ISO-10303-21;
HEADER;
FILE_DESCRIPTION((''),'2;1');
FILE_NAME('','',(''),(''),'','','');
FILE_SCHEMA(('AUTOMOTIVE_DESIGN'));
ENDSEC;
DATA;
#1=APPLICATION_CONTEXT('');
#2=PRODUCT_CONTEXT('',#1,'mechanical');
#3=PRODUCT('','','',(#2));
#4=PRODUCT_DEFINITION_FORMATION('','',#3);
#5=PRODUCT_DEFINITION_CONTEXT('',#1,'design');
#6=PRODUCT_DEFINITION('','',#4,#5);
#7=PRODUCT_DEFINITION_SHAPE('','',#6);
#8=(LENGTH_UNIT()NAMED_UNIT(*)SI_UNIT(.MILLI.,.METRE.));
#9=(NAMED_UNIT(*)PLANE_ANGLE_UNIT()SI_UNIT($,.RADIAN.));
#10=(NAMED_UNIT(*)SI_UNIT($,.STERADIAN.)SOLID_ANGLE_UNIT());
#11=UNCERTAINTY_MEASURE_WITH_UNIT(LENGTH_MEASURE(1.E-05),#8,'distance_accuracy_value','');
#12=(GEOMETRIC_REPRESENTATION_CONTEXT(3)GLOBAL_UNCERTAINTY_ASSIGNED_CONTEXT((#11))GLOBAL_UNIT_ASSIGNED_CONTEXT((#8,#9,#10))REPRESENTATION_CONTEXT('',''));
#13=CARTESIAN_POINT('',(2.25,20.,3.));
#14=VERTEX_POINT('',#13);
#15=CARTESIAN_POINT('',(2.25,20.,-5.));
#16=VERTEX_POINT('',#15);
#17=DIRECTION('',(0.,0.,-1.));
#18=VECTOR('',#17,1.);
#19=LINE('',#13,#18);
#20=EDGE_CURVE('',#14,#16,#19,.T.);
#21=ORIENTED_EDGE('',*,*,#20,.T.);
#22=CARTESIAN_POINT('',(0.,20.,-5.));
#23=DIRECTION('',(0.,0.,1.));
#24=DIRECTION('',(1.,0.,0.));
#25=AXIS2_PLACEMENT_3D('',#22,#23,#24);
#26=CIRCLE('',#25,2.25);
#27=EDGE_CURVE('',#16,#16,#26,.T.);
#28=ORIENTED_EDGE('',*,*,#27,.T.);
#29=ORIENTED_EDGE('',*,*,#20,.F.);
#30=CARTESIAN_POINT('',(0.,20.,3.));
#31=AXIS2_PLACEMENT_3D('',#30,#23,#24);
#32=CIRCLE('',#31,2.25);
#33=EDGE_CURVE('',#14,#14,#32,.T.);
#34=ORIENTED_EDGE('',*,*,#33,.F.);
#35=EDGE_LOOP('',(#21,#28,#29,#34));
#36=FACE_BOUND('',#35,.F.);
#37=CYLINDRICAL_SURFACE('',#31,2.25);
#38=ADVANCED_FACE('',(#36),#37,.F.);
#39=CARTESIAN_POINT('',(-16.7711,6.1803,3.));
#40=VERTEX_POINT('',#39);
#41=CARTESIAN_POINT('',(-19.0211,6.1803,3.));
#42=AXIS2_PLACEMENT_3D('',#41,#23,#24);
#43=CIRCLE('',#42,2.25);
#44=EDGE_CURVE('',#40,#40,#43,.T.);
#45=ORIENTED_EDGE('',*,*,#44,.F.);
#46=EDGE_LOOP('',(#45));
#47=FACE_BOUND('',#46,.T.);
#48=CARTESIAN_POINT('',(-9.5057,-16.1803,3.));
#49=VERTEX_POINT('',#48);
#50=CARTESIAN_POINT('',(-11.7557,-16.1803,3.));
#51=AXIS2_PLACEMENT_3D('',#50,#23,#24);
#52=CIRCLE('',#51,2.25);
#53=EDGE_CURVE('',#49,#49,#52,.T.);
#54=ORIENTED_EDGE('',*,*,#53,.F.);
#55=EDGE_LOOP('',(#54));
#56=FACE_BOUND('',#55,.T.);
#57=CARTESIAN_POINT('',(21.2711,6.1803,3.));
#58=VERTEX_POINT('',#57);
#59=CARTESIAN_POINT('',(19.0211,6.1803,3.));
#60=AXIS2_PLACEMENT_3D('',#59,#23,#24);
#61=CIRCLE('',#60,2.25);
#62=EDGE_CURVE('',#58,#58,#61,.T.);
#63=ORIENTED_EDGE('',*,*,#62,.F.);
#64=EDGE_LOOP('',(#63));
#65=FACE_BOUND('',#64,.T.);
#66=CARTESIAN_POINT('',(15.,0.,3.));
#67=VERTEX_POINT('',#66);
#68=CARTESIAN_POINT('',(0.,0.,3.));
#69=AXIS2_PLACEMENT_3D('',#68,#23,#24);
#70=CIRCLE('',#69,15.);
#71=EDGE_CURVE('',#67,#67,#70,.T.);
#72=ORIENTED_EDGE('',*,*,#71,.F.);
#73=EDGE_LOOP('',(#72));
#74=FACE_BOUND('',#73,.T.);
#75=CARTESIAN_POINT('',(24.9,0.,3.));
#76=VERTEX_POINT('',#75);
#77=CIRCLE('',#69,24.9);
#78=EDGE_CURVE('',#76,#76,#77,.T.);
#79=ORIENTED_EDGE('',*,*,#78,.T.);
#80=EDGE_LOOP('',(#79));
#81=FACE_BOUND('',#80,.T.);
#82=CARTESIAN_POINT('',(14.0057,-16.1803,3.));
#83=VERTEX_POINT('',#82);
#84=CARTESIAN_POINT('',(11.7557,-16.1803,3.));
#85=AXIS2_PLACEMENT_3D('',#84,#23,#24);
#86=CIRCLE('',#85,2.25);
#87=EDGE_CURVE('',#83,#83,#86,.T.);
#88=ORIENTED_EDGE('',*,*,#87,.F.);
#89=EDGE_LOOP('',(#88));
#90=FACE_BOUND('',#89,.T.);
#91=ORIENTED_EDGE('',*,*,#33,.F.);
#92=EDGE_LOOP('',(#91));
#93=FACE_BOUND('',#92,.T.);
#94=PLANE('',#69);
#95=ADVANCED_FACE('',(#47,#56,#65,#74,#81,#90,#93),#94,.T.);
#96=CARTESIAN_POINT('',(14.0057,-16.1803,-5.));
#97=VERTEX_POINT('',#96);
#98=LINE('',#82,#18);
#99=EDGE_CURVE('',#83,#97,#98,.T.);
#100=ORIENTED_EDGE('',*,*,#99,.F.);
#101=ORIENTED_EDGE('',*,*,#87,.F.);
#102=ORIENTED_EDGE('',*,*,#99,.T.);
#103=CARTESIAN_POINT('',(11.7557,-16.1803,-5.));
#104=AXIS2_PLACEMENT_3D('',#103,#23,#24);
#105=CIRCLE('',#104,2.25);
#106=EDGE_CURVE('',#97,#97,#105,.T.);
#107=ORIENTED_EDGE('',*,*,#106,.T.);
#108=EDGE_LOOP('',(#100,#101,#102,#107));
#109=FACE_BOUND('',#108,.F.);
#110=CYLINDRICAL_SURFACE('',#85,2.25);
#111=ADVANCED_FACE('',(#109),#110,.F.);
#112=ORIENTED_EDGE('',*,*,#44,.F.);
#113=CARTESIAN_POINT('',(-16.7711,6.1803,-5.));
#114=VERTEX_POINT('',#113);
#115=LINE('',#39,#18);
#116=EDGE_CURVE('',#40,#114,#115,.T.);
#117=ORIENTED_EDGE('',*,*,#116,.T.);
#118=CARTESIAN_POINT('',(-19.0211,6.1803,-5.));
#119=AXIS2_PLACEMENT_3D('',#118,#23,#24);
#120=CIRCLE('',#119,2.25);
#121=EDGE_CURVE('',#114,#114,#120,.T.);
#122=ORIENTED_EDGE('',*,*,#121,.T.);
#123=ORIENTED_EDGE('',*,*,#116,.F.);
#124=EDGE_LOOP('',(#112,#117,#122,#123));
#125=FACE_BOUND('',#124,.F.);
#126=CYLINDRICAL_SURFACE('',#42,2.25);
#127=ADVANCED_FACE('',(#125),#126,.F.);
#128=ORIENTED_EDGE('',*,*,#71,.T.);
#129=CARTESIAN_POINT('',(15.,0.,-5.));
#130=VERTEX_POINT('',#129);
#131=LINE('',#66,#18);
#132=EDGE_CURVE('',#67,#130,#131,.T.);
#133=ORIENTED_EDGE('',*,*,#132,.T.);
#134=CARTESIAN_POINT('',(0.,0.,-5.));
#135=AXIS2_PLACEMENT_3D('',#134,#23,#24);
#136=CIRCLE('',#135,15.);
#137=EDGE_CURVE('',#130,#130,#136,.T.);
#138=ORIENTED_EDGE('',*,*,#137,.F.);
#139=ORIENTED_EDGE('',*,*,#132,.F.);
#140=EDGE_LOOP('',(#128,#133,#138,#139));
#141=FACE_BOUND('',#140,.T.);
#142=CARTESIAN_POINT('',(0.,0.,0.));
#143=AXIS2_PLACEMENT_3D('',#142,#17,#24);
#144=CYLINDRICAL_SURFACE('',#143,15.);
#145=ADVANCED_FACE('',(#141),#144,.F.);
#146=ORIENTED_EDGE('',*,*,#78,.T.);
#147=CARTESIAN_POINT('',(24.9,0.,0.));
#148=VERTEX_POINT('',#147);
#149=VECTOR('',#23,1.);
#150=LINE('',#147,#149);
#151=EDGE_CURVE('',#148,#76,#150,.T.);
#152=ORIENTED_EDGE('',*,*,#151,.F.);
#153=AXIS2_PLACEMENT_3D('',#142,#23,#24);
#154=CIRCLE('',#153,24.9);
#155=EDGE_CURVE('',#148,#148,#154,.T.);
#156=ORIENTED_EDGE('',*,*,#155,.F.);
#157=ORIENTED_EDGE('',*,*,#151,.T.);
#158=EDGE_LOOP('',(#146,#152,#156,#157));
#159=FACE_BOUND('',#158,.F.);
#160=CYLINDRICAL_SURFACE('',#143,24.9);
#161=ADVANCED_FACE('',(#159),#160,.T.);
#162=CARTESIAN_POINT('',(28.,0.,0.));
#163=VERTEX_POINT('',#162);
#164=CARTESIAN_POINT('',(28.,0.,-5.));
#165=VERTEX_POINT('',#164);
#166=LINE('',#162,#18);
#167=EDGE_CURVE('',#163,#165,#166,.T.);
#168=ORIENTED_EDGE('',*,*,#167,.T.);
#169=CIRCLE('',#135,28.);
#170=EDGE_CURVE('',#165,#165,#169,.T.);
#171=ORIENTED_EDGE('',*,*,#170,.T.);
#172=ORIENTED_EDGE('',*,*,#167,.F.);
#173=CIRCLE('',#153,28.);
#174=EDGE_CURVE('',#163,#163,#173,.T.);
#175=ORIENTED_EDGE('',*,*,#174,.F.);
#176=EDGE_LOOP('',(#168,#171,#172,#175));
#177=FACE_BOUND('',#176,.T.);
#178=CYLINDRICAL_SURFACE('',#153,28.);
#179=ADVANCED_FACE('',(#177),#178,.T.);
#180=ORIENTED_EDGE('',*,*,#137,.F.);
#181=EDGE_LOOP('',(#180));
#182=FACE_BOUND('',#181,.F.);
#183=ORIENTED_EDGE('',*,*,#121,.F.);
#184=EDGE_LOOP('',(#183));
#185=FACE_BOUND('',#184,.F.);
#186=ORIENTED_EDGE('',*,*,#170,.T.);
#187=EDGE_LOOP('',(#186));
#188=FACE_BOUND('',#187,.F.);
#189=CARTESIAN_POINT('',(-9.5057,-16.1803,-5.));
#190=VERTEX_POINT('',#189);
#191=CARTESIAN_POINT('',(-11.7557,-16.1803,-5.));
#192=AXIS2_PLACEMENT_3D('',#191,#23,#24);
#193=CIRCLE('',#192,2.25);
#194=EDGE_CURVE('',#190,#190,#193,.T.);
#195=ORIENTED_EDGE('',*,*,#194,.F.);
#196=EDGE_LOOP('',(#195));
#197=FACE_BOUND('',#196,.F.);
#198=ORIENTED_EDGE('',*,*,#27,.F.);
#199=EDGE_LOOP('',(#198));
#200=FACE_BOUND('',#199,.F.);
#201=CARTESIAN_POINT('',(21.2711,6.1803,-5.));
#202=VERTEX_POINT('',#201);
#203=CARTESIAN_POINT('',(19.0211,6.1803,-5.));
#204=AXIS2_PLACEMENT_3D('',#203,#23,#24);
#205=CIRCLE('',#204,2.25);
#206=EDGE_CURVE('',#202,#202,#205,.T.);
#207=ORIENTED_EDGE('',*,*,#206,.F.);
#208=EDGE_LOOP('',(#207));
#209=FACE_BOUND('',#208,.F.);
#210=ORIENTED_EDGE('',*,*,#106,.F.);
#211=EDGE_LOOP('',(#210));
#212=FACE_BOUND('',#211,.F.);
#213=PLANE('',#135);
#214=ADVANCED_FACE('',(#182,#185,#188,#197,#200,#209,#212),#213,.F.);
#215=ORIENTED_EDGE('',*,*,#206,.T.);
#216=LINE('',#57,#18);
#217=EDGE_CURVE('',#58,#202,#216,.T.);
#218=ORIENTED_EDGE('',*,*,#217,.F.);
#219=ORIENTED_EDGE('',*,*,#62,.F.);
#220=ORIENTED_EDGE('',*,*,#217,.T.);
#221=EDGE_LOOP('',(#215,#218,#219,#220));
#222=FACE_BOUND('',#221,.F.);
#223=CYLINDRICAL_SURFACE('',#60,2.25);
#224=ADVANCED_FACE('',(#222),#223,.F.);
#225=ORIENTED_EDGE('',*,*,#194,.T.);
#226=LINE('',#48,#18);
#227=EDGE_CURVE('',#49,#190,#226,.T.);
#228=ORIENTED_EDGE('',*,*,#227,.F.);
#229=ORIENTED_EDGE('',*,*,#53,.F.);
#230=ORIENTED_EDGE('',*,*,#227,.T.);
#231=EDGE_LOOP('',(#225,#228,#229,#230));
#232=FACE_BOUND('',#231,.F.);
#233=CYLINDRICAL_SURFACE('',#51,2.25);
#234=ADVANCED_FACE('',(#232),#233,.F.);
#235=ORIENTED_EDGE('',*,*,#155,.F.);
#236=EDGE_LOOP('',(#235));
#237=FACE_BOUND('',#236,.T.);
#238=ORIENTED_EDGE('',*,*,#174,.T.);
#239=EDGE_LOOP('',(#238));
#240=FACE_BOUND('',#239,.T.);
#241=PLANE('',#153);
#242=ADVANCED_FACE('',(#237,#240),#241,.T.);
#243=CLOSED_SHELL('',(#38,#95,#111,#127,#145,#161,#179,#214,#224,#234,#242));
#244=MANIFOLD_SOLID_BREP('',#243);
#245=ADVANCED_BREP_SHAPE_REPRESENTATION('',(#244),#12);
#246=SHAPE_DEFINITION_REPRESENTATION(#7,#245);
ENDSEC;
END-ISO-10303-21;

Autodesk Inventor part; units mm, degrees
ref_plane "YZ Plane" through (0, 0, 0) normal (1, 0, 0) x (0, 1, 0)
ref_plane "XZ Plane" through (0, 0, 0) normal (0, 1, 0) x (-1, 0, 0)
ref_plane "XY Plane" through (0, 0, 0) normal (0, 0, 1) x (1, 0, 0)
sketch "스케치1" plane through (0, 0, 0) normal (0, 0, 1) x (1, 0, 0)
  circle A0 centre (0, 0) radius 24.9
  circle A1 centre (0, 0) radius 28
  circle A2 centre (0, 0) radius 15
  dimension "d0" = 49.8
  dimension "d1" = 56
  dimension "d2" = 30
extrude "돌출1" add sketch "스케치1" along normal blind 3 contours A0
extrude "돌출2" add sketch "스케치1" against normal blind 5 contours A0 | A1
sketch "스케치3" plane through (0, 0, 3) normal (0, 0, 1) x (1, 0, 0)
  circle A0 centre (0, 0) radius 20 construction
  circle A1 centre (0, 20) radius 2.25
  circle A2 centre (-19.0211, 6.1803) radius 2.25
  circle A3 centre (-11.7557, -16.1803) radius 2.25
  circle A4 centre (11.7557, -16.1803) radius 2.25
  circle A5 centre (19.0211, 6.1803) radius 2.25
  dimension "d9" = 40
  dimension "d10" = 4.5
  dimension "d13" = 360
extrude "돌출3" cut sketch "스케치3" against normal blind 44.5
properties part number "사이클로이드 기어 축 연결 하우징"
